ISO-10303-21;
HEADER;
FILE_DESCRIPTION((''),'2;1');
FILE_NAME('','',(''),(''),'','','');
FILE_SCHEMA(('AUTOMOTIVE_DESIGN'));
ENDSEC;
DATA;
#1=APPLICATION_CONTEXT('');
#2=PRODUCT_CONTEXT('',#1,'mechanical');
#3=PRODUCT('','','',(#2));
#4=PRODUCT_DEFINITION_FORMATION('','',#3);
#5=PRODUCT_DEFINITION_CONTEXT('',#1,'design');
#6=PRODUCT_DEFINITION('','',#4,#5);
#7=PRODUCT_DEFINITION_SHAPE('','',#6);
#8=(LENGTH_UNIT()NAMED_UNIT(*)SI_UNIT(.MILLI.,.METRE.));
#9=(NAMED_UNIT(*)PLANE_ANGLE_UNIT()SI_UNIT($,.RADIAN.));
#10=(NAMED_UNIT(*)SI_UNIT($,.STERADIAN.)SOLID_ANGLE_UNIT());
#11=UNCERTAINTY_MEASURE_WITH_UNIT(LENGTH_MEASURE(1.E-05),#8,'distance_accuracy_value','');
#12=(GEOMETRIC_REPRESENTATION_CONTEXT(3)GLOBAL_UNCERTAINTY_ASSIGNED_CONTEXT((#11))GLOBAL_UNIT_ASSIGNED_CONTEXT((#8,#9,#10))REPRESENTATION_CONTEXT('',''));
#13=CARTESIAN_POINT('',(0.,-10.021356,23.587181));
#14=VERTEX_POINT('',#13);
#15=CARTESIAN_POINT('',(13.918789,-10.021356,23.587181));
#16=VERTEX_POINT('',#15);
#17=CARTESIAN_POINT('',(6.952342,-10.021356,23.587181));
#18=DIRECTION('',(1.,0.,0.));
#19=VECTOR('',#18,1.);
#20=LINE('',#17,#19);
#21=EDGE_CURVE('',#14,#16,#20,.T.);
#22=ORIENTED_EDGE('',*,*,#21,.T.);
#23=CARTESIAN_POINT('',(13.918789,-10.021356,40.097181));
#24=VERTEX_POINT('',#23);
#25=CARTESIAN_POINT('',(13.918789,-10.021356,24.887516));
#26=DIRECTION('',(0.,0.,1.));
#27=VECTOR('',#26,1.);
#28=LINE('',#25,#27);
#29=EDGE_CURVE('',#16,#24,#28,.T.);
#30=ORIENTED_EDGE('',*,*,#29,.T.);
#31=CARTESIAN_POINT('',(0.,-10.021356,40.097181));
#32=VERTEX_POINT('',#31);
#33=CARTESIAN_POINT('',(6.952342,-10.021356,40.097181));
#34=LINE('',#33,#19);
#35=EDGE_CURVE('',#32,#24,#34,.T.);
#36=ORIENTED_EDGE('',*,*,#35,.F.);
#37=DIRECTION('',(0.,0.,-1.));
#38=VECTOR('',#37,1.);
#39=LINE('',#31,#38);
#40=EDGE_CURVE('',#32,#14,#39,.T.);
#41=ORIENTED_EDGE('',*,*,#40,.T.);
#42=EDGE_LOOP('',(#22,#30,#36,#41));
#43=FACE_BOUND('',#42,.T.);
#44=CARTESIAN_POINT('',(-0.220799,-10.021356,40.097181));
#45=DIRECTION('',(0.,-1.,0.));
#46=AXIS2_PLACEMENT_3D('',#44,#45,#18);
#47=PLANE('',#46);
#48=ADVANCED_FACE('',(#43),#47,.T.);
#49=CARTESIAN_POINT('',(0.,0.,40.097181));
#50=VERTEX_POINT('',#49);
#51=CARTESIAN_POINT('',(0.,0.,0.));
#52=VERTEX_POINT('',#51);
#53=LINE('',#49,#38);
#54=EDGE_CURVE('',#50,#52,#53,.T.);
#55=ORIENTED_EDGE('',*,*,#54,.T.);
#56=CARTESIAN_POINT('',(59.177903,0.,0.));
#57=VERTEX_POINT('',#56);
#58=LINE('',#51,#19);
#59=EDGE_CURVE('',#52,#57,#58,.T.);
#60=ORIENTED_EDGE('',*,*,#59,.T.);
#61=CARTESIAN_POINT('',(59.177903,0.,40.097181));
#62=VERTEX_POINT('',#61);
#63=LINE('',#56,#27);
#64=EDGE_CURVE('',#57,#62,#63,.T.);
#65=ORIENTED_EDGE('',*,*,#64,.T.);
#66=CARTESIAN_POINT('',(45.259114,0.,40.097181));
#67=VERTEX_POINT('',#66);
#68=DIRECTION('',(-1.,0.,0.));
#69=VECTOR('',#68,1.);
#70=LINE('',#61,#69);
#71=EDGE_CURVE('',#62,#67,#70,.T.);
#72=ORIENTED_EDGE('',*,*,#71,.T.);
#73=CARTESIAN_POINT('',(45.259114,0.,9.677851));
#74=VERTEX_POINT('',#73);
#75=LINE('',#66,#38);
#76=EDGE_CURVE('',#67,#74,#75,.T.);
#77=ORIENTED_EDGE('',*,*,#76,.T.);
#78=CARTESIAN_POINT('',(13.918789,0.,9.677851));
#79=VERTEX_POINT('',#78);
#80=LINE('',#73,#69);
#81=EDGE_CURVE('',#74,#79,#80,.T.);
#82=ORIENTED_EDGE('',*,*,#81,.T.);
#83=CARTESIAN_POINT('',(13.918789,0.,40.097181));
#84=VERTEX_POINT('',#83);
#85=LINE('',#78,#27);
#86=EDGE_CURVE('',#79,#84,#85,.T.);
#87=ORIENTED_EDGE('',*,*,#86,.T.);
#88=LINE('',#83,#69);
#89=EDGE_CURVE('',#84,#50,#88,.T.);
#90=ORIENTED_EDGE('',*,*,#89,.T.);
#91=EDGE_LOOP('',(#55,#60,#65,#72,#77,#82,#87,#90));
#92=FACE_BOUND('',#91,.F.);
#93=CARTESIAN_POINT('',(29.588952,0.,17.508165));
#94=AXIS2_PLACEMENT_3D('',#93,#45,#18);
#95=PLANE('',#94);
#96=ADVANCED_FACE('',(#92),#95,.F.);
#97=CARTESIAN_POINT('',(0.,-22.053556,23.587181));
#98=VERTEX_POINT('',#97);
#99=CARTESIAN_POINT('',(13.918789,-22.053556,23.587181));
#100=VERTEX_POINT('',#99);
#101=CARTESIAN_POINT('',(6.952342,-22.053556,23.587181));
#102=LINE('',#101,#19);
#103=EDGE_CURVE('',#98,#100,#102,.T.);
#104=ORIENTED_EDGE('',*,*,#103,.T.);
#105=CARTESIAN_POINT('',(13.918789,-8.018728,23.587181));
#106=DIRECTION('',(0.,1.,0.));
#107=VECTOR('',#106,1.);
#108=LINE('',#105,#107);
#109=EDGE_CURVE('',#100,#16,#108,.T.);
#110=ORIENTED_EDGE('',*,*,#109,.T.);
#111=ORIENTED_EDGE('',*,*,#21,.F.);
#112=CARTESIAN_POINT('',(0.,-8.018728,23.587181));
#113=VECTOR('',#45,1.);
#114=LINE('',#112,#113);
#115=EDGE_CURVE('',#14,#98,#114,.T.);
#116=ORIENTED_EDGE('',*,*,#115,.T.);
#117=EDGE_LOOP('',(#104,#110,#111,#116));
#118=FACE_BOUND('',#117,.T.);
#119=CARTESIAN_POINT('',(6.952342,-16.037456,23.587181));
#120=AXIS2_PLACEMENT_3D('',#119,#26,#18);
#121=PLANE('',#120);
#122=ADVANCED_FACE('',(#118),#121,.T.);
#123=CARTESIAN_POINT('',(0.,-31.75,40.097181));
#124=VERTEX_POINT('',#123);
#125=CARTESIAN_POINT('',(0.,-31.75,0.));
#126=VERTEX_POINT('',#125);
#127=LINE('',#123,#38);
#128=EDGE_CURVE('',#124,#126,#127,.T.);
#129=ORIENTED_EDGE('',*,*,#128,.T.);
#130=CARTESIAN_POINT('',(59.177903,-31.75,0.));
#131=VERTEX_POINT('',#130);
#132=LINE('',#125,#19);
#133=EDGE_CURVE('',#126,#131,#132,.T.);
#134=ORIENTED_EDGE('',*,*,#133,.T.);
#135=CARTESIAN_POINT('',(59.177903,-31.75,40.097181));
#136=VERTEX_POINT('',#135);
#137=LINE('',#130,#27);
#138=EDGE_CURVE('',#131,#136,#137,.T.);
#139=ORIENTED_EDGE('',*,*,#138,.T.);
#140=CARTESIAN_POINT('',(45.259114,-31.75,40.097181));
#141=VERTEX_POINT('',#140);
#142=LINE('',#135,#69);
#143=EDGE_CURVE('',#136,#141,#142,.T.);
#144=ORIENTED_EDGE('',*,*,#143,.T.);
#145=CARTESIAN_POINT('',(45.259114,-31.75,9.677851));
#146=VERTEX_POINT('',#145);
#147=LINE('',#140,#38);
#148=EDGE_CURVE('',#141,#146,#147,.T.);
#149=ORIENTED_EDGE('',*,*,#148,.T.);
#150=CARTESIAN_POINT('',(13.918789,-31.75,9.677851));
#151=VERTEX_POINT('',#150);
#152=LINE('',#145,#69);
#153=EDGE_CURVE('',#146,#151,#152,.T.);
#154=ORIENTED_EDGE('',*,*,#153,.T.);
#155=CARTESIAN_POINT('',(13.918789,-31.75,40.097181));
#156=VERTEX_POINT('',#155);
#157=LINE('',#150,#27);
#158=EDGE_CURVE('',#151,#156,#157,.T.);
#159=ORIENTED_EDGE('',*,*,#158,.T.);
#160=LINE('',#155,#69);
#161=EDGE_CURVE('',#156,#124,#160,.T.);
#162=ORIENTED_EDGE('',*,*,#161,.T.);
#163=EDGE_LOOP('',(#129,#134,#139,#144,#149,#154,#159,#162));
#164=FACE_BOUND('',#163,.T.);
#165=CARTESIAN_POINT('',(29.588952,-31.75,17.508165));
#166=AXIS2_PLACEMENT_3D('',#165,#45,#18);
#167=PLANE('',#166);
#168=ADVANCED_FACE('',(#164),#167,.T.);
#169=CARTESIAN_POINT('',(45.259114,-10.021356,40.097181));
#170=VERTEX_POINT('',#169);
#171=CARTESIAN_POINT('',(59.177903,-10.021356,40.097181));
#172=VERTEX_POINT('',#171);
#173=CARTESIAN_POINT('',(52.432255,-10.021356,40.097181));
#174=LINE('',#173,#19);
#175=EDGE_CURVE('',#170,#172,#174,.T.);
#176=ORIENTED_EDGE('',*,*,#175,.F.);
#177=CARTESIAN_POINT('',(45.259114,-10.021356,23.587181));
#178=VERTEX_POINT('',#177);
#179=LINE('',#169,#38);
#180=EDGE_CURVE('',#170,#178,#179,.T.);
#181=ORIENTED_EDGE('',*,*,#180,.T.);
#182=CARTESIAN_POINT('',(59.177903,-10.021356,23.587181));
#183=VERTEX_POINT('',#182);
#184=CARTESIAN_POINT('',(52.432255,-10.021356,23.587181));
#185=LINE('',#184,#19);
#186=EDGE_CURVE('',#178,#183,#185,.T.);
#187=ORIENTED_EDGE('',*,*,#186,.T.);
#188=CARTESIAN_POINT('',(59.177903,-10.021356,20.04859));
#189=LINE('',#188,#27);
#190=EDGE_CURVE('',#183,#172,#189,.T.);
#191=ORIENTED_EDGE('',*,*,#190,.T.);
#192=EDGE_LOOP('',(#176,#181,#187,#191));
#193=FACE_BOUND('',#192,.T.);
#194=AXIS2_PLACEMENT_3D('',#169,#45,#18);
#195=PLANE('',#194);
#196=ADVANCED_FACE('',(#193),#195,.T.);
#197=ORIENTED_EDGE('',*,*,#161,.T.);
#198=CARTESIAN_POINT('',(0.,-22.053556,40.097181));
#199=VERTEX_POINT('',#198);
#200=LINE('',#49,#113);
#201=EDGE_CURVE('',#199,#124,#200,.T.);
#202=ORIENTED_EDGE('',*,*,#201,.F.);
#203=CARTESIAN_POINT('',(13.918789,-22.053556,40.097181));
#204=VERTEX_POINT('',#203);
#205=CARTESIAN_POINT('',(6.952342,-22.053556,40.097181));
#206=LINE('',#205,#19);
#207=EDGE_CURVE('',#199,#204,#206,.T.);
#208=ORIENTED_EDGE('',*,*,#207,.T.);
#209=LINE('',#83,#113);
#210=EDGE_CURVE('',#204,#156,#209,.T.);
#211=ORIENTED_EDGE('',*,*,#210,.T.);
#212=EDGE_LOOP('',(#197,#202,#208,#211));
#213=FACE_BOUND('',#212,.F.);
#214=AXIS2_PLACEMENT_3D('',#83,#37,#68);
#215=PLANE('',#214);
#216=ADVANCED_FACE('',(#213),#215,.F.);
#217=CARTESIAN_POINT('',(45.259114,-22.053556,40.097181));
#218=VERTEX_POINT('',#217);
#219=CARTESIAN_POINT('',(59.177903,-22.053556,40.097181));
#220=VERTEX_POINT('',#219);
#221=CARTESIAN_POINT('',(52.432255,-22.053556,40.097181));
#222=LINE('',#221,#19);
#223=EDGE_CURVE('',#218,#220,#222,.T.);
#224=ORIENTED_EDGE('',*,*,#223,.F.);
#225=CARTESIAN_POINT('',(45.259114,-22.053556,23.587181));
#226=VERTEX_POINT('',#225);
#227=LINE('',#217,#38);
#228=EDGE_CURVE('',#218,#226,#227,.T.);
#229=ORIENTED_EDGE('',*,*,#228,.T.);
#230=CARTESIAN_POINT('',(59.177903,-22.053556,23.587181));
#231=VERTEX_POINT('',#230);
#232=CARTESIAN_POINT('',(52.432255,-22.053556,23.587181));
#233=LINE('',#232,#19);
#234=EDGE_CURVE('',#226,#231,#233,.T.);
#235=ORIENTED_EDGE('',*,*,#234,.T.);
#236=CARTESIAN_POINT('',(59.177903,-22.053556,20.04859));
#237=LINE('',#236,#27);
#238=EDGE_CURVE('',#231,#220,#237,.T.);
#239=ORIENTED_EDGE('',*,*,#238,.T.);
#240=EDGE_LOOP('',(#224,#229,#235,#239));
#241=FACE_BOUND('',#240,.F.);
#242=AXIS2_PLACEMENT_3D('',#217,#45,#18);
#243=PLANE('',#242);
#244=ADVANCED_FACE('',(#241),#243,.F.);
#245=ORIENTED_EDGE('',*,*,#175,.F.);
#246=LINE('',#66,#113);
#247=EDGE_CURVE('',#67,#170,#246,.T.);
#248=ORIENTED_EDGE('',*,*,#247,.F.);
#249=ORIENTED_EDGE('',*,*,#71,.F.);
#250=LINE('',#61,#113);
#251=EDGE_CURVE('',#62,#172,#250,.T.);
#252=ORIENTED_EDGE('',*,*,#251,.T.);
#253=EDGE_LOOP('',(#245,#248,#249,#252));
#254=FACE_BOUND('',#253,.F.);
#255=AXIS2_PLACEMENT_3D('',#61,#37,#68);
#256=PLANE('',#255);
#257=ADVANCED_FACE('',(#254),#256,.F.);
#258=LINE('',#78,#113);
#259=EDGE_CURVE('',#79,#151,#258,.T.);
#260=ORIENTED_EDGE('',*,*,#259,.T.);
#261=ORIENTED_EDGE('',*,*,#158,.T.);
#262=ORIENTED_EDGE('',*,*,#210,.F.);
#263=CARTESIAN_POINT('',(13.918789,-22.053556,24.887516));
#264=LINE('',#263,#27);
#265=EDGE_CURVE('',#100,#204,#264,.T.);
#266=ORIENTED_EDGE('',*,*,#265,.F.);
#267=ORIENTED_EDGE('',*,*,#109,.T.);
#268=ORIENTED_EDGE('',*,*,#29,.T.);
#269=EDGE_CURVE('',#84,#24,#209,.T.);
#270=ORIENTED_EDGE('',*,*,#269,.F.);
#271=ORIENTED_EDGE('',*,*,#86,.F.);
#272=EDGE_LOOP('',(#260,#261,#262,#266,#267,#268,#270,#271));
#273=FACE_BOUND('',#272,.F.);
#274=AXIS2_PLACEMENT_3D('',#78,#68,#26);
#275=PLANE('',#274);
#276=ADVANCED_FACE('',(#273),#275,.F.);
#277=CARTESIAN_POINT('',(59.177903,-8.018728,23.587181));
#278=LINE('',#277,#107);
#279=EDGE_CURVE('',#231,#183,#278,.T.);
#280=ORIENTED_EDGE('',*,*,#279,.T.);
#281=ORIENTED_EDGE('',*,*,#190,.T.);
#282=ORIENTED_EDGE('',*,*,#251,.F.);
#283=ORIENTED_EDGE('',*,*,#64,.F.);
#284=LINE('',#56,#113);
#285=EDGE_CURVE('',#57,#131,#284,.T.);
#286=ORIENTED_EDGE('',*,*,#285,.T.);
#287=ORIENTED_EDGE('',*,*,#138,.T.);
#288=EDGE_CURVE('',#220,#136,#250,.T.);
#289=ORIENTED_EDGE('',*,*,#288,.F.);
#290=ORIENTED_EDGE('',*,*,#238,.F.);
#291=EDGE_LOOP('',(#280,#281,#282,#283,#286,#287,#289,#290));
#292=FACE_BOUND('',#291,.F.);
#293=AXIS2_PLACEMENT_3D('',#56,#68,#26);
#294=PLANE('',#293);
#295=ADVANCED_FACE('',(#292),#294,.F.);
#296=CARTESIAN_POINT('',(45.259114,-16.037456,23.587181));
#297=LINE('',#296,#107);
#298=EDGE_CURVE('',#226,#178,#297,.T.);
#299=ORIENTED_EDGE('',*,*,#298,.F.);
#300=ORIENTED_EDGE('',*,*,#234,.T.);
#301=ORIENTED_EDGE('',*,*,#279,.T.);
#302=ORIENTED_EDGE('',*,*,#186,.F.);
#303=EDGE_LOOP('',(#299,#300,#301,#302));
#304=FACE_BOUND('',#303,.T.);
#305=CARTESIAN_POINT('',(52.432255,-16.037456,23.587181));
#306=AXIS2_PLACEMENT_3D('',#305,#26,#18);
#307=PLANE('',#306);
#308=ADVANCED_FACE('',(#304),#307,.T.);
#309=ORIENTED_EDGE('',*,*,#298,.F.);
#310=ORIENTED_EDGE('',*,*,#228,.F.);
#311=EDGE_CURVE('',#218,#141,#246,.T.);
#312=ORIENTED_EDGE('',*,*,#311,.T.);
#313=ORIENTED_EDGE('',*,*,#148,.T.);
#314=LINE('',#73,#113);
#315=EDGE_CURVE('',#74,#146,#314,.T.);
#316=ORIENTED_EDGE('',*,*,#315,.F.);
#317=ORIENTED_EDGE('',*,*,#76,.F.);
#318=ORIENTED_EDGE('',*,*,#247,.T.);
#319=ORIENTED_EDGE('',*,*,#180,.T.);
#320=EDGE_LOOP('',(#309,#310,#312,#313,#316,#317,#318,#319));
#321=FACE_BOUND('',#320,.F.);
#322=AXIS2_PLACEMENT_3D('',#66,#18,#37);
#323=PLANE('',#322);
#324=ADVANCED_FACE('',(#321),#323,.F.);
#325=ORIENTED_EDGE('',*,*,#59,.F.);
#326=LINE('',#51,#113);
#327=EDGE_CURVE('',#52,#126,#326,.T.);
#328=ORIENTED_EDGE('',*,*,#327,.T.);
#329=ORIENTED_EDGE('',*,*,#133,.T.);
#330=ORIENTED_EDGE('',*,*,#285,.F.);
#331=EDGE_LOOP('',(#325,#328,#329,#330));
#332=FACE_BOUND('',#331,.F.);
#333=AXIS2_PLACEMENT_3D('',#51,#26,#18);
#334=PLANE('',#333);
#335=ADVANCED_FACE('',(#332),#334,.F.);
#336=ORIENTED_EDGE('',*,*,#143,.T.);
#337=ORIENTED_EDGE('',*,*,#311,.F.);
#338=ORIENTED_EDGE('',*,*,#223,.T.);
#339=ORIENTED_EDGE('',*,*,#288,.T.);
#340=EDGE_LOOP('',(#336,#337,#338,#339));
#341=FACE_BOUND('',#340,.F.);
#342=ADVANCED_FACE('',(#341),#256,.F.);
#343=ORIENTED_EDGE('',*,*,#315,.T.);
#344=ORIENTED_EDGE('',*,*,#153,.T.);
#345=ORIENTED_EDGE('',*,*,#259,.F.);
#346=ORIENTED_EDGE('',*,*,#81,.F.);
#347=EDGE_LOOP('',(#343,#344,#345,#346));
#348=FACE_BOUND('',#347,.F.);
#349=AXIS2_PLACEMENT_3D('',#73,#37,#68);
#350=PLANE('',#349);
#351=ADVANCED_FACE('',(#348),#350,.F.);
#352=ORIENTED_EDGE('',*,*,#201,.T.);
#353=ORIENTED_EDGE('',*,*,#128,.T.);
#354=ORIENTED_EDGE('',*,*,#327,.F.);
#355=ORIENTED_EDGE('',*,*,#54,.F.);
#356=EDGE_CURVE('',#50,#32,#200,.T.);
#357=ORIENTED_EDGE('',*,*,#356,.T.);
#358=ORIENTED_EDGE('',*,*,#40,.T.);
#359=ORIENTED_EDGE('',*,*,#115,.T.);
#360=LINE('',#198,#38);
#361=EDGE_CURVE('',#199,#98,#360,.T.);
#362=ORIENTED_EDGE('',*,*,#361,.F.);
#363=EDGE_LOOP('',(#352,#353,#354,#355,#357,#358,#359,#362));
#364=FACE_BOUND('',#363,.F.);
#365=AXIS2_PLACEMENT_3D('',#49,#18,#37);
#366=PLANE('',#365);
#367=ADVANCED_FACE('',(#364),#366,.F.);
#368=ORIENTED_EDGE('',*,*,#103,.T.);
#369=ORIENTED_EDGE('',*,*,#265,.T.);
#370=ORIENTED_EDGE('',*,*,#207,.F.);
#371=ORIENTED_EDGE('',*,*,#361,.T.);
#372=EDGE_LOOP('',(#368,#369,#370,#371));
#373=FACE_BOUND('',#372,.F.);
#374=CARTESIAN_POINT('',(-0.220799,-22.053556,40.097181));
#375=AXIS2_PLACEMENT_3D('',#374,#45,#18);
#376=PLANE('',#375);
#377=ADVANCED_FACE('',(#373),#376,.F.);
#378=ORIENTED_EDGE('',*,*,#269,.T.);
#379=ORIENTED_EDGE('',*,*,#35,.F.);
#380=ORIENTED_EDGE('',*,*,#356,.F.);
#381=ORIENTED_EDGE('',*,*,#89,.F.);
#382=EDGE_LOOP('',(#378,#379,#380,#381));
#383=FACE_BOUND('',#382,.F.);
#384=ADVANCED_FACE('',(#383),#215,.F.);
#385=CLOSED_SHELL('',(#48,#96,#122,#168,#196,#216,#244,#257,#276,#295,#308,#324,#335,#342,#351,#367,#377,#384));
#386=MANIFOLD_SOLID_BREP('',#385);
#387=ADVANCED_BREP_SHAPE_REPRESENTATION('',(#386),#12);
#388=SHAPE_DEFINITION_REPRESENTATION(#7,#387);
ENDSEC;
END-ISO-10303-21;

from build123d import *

# Parameters (mm, degrees)
F1_DEPTH = 31.75
F2_W     = 14.346282
F2_H     = 12.032199
F2_W_2   = 14.346281
F3_DEPTH = 16.51


with BuildPart() as f1:
    # F0 (on Front) → F1 (new body)
    with BuildSketch(Plane.XZ):
        Polygon((0, 40.097181), (0, 0), (59.177903, 0), (59.177903, 40.097181), (45.259114, 40.097181), (45.259114, 9.677851), (13.918789, 9.677851), (13.918789, 40.097181), align=None)
    extrude(amount=F1_DEPTH)

    # F2 (on face) → F3 (cut)
    with BuildSketch(Plane.XY.offset(40.097181)):
        with Locations((52.432255, -16.037456)):
            Rectangle(F2_W, F2_H)
        with Locations((6.952342, -16.037456)):
            Rectangle(F2_W_2, F2_H)
    extrude(amount=-F3_DEPTH, mode=Mode.SUBTRACT)


solid = f1.part
